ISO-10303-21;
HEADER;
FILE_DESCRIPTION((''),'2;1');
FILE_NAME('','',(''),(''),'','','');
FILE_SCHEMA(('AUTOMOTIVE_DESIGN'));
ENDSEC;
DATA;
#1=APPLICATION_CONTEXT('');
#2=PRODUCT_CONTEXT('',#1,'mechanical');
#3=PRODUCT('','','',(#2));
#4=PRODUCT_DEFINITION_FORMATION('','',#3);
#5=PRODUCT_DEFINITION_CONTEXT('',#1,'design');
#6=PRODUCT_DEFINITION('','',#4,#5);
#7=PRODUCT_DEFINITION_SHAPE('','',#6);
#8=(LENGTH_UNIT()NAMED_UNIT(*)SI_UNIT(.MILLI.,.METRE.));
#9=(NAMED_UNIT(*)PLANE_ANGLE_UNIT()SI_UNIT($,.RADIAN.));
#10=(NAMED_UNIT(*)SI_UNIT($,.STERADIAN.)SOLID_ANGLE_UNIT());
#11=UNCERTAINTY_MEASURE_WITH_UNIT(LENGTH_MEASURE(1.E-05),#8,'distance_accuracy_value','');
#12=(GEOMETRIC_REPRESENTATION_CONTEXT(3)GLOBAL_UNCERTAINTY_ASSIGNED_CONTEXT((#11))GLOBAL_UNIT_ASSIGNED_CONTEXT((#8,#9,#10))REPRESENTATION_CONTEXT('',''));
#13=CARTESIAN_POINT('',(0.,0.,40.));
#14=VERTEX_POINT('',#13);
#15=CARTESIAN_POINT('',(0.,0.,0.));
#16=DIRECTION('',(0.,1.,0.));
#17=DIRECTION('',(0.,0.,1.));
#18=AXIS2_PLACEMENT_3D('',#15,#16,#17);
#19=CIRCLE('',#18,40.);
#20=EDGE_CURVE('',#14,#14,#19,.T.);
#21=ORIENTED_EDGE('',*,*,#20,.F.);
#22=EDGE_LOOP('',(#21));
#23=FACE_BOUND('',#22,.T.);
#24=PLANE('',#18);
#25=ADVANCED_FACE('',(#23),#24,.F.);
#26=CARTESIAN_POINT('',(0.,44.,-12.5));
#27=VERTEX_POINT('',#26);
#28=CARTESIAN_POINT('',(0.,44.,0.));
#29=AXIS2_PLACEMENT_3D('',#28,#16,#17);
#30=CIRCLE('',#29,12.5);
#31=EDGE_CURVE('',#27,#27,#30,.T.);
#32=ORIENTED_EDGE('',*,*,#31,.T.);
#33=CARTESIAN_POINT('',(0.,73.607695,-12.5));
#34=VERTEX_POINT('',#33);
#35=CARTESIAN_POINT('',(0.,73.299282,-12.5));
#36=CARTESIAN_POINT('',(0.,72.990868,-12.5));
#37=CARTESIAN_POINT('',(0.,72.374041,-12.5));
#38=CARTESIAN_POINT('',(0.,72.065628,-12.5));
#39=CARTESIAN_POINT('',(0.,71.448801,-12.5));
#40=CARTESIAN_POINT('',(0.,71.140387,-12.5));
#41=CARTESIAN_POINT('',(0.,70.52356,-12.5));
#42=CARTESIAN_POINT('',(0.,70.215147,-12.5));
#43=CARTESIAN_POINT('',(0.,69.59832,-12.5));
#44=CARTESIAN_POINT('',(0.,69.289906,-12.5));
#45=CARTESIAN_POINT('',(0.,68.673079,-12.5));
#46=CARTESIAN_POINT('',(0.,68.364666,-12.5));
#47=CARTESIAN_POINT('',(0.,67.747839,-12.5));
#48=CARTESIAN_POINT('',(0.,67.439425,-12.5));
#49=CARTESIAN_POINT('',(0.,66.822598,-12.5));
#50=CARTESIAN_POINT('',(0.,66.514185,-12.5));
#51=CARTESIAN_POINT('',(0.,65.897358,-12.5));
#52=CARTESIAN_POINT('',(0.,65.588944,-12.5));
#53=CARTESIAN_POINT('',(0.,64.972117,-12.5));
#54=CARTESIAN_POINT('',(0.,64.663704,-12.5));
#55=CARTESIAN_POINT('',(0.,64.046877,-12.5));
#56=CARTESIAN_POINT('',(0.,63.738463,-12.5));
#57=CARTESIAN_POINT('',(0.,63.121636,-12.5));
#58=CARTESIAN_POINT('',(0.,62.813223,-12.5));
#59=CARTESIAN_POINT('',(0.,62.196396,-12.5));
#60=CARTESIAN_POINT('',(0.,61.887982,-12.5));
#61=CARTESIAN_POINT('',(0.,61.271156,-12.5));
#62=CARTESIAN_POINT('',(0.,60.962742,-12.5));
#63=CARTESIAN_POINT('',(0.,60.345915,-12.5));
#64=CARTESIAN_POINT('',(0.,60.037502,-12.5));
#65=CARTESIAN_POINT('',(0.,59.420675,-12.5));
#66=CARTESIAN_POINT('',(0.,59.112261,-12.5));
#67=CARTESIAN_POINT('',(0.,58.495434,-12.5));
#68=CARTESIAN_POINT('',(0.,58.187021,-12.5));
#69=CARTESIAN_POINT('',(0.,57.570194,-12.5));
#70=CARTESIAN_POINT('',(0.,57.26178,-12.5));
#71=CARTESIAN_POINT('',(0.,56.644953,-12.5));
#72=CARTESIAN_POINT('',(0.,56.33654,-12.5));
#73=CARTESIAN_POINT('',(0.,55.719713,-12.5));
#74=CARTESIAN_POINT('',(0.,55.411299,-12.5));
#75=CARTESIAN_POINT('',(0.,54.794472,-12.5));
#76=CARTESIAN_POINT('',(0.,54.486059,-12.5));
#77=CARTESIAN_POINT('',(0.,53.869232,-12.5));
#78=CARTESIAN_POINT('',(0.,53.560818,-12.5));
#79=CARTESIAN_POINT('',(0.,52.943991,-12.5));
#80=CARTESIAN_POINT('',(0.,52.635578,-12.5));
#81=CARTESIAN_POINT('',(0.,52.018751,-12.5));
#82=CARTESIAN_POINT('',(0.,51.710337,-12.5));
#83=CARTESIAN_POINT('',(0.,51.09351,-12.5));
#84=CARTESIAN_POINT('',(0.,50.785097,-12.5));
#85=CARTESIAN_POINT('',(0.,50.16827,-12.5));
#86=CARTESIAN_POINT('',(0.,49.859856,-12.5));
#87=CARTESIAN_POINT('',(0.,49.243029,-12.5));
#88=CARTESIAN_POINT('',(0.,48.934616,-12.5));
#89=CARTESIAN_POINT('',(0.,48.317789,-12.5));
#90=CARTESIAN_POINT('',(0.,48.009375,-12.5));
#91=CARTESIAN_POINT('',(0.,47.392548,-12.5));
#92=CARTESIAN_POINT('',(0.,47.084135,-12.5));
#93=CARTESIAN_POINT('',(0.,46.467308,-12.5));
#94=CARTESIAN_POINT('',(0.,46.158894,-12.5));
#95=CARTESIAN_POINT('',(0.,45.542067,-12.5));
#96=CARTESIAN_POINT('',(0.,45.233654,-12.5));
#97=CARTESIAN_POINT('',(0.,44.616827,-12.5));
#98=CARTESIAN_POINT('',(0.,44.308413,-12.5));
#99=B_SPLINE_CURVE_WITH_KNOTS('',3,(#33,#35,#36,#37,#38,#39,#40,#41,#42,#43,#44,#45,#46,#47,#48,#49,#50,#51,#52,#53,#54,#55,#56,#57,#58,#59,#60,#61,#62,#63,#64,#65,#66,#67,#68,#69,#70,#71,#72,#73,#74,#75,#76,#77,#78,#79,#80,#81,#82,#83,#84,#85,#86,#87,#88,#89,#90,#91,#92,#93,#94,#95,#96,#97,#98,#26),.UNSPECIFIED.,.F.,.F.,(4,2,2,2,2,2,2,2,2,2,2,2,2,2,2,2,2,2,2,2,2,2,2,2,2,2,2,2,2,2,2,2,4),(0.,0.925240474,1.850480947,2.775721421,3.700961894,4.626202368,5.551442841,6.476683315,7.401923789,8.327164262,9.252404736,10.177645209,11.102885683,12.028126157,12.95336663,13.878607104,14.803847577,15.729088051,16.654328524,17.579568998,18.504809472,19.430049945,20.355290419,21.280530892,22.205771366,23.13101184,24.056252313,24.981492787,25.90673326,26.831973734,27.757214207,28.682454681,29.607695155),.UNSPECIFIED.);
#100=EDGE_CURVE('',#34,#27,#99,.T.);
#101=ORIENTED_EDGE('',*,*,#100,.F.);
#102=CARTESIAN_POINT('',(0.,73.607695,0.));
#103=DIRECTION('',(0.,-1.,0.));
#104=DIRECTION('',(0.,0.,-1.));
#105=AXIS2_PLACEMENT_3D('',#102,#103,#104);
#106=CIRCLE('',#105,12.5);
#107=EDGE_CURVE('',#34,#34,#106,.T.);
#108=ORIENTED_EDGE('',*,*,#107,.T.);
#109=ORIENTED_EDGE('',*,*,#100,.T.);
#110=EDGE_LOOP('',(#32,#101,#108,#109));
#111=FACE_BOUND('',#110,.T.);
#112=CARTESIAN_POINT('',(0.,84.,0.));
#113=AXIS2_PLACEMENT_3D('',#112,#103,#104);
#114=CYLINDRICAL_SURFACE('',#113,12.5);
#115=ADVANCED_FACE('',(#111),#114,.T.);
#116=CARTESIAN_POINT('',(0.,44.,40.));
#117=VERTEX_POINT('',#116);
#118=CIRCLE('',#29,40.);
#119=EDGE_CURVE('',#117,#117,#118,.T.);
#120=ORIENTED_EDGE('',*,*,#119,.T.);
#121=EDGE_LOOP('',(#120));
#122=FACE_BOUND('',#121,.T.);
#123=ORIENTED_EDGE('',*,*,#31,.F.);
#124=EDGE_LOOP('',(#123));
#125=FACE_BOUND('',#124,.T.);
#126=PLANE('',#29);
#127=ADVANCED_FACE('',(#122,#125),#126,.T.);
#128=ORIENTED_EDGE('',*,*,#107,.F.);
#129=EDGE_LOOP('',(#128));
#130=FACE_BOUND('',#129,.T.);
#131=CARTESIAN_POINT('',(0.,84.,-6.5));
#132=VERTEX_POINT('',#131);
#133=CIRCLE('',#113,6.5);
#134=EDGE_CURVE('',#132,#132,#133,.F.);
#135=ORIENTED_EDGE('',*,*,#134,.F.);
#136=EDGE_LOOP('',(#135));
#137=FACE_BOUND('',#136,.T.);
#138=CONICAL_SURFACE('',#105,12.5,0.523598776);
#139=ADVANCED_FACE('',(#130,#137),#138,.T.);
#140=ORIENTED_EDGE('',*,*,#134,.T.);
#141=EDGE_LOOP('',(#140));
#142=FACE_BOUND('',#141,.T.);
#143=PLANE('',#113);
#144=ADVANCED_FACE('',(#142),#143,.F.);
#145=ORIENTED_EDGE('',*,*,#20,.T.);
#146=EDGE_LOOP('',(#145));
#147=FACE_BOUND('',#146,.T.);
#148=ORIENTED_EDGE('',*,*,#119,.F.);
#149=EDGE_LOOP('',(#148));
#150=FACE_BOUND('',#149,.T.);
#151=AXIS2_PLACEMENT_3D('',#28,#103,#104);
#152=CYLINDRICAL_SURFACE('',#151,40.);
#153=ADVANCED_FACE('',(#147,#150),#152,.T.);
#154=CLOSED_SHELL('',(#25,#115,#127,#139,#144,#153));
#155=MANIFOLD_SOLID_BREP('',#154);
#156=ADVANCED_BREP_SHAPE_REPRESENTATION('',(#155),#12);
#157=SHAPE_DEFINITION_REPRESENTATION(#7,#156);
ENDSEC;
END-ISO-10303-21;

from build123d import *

# Parameters (mm, degrees)
SKETCH_1_R      = 40
EXTRUDE_1_DEPTH = 44
SKETCH_3_R      = 12.5
EXTRUDE_2_DEPTH = 84
CHAMFER_1_SIZE  = 6
CHAMFER_1_SIZE2 = 10.392304845


with BuildPart() as part:
    # 草图1 → 凸台-拉伸1 (new body)
    with BuildSketch(Plane(origin=(0, 0, 0), x_dir=(1, 0, 0), z_dir=(0, 1, 0))):
        with Locations(Location((0, 0, 0), (0, 0, 270))):
            Circle(SKETCH_1_R)
    extrude(amount=EXTRUDE_1_DEPTH)

    # 草图3 → 凸台-拉伸2 (add)
    with BuildSketch(Plane.XZ):
        with Locations(Location((0, 0, 0), (0, 0, 270))):
            Circle(SKETCH_3_R)
    extrude(amount=-EXTRUDE_2_DEPTH)

    # 倒角1
    chamfer_1_edges = [part.edges().sort_by_distance(p)[0] for p in [
        (0, 84, 12.5),
    ]]
    chamfer_1_side = [part.faces().sort_by_distance(p)[0] for p in [
        (0, 84, 0),
    ]]
    chamfer(chamfer_1_edges, length=CHAMFER_1_SIZE, length2=CHAMFER_1_SIZE2, reference=chamfer_1_side[0])


solid = part.part
